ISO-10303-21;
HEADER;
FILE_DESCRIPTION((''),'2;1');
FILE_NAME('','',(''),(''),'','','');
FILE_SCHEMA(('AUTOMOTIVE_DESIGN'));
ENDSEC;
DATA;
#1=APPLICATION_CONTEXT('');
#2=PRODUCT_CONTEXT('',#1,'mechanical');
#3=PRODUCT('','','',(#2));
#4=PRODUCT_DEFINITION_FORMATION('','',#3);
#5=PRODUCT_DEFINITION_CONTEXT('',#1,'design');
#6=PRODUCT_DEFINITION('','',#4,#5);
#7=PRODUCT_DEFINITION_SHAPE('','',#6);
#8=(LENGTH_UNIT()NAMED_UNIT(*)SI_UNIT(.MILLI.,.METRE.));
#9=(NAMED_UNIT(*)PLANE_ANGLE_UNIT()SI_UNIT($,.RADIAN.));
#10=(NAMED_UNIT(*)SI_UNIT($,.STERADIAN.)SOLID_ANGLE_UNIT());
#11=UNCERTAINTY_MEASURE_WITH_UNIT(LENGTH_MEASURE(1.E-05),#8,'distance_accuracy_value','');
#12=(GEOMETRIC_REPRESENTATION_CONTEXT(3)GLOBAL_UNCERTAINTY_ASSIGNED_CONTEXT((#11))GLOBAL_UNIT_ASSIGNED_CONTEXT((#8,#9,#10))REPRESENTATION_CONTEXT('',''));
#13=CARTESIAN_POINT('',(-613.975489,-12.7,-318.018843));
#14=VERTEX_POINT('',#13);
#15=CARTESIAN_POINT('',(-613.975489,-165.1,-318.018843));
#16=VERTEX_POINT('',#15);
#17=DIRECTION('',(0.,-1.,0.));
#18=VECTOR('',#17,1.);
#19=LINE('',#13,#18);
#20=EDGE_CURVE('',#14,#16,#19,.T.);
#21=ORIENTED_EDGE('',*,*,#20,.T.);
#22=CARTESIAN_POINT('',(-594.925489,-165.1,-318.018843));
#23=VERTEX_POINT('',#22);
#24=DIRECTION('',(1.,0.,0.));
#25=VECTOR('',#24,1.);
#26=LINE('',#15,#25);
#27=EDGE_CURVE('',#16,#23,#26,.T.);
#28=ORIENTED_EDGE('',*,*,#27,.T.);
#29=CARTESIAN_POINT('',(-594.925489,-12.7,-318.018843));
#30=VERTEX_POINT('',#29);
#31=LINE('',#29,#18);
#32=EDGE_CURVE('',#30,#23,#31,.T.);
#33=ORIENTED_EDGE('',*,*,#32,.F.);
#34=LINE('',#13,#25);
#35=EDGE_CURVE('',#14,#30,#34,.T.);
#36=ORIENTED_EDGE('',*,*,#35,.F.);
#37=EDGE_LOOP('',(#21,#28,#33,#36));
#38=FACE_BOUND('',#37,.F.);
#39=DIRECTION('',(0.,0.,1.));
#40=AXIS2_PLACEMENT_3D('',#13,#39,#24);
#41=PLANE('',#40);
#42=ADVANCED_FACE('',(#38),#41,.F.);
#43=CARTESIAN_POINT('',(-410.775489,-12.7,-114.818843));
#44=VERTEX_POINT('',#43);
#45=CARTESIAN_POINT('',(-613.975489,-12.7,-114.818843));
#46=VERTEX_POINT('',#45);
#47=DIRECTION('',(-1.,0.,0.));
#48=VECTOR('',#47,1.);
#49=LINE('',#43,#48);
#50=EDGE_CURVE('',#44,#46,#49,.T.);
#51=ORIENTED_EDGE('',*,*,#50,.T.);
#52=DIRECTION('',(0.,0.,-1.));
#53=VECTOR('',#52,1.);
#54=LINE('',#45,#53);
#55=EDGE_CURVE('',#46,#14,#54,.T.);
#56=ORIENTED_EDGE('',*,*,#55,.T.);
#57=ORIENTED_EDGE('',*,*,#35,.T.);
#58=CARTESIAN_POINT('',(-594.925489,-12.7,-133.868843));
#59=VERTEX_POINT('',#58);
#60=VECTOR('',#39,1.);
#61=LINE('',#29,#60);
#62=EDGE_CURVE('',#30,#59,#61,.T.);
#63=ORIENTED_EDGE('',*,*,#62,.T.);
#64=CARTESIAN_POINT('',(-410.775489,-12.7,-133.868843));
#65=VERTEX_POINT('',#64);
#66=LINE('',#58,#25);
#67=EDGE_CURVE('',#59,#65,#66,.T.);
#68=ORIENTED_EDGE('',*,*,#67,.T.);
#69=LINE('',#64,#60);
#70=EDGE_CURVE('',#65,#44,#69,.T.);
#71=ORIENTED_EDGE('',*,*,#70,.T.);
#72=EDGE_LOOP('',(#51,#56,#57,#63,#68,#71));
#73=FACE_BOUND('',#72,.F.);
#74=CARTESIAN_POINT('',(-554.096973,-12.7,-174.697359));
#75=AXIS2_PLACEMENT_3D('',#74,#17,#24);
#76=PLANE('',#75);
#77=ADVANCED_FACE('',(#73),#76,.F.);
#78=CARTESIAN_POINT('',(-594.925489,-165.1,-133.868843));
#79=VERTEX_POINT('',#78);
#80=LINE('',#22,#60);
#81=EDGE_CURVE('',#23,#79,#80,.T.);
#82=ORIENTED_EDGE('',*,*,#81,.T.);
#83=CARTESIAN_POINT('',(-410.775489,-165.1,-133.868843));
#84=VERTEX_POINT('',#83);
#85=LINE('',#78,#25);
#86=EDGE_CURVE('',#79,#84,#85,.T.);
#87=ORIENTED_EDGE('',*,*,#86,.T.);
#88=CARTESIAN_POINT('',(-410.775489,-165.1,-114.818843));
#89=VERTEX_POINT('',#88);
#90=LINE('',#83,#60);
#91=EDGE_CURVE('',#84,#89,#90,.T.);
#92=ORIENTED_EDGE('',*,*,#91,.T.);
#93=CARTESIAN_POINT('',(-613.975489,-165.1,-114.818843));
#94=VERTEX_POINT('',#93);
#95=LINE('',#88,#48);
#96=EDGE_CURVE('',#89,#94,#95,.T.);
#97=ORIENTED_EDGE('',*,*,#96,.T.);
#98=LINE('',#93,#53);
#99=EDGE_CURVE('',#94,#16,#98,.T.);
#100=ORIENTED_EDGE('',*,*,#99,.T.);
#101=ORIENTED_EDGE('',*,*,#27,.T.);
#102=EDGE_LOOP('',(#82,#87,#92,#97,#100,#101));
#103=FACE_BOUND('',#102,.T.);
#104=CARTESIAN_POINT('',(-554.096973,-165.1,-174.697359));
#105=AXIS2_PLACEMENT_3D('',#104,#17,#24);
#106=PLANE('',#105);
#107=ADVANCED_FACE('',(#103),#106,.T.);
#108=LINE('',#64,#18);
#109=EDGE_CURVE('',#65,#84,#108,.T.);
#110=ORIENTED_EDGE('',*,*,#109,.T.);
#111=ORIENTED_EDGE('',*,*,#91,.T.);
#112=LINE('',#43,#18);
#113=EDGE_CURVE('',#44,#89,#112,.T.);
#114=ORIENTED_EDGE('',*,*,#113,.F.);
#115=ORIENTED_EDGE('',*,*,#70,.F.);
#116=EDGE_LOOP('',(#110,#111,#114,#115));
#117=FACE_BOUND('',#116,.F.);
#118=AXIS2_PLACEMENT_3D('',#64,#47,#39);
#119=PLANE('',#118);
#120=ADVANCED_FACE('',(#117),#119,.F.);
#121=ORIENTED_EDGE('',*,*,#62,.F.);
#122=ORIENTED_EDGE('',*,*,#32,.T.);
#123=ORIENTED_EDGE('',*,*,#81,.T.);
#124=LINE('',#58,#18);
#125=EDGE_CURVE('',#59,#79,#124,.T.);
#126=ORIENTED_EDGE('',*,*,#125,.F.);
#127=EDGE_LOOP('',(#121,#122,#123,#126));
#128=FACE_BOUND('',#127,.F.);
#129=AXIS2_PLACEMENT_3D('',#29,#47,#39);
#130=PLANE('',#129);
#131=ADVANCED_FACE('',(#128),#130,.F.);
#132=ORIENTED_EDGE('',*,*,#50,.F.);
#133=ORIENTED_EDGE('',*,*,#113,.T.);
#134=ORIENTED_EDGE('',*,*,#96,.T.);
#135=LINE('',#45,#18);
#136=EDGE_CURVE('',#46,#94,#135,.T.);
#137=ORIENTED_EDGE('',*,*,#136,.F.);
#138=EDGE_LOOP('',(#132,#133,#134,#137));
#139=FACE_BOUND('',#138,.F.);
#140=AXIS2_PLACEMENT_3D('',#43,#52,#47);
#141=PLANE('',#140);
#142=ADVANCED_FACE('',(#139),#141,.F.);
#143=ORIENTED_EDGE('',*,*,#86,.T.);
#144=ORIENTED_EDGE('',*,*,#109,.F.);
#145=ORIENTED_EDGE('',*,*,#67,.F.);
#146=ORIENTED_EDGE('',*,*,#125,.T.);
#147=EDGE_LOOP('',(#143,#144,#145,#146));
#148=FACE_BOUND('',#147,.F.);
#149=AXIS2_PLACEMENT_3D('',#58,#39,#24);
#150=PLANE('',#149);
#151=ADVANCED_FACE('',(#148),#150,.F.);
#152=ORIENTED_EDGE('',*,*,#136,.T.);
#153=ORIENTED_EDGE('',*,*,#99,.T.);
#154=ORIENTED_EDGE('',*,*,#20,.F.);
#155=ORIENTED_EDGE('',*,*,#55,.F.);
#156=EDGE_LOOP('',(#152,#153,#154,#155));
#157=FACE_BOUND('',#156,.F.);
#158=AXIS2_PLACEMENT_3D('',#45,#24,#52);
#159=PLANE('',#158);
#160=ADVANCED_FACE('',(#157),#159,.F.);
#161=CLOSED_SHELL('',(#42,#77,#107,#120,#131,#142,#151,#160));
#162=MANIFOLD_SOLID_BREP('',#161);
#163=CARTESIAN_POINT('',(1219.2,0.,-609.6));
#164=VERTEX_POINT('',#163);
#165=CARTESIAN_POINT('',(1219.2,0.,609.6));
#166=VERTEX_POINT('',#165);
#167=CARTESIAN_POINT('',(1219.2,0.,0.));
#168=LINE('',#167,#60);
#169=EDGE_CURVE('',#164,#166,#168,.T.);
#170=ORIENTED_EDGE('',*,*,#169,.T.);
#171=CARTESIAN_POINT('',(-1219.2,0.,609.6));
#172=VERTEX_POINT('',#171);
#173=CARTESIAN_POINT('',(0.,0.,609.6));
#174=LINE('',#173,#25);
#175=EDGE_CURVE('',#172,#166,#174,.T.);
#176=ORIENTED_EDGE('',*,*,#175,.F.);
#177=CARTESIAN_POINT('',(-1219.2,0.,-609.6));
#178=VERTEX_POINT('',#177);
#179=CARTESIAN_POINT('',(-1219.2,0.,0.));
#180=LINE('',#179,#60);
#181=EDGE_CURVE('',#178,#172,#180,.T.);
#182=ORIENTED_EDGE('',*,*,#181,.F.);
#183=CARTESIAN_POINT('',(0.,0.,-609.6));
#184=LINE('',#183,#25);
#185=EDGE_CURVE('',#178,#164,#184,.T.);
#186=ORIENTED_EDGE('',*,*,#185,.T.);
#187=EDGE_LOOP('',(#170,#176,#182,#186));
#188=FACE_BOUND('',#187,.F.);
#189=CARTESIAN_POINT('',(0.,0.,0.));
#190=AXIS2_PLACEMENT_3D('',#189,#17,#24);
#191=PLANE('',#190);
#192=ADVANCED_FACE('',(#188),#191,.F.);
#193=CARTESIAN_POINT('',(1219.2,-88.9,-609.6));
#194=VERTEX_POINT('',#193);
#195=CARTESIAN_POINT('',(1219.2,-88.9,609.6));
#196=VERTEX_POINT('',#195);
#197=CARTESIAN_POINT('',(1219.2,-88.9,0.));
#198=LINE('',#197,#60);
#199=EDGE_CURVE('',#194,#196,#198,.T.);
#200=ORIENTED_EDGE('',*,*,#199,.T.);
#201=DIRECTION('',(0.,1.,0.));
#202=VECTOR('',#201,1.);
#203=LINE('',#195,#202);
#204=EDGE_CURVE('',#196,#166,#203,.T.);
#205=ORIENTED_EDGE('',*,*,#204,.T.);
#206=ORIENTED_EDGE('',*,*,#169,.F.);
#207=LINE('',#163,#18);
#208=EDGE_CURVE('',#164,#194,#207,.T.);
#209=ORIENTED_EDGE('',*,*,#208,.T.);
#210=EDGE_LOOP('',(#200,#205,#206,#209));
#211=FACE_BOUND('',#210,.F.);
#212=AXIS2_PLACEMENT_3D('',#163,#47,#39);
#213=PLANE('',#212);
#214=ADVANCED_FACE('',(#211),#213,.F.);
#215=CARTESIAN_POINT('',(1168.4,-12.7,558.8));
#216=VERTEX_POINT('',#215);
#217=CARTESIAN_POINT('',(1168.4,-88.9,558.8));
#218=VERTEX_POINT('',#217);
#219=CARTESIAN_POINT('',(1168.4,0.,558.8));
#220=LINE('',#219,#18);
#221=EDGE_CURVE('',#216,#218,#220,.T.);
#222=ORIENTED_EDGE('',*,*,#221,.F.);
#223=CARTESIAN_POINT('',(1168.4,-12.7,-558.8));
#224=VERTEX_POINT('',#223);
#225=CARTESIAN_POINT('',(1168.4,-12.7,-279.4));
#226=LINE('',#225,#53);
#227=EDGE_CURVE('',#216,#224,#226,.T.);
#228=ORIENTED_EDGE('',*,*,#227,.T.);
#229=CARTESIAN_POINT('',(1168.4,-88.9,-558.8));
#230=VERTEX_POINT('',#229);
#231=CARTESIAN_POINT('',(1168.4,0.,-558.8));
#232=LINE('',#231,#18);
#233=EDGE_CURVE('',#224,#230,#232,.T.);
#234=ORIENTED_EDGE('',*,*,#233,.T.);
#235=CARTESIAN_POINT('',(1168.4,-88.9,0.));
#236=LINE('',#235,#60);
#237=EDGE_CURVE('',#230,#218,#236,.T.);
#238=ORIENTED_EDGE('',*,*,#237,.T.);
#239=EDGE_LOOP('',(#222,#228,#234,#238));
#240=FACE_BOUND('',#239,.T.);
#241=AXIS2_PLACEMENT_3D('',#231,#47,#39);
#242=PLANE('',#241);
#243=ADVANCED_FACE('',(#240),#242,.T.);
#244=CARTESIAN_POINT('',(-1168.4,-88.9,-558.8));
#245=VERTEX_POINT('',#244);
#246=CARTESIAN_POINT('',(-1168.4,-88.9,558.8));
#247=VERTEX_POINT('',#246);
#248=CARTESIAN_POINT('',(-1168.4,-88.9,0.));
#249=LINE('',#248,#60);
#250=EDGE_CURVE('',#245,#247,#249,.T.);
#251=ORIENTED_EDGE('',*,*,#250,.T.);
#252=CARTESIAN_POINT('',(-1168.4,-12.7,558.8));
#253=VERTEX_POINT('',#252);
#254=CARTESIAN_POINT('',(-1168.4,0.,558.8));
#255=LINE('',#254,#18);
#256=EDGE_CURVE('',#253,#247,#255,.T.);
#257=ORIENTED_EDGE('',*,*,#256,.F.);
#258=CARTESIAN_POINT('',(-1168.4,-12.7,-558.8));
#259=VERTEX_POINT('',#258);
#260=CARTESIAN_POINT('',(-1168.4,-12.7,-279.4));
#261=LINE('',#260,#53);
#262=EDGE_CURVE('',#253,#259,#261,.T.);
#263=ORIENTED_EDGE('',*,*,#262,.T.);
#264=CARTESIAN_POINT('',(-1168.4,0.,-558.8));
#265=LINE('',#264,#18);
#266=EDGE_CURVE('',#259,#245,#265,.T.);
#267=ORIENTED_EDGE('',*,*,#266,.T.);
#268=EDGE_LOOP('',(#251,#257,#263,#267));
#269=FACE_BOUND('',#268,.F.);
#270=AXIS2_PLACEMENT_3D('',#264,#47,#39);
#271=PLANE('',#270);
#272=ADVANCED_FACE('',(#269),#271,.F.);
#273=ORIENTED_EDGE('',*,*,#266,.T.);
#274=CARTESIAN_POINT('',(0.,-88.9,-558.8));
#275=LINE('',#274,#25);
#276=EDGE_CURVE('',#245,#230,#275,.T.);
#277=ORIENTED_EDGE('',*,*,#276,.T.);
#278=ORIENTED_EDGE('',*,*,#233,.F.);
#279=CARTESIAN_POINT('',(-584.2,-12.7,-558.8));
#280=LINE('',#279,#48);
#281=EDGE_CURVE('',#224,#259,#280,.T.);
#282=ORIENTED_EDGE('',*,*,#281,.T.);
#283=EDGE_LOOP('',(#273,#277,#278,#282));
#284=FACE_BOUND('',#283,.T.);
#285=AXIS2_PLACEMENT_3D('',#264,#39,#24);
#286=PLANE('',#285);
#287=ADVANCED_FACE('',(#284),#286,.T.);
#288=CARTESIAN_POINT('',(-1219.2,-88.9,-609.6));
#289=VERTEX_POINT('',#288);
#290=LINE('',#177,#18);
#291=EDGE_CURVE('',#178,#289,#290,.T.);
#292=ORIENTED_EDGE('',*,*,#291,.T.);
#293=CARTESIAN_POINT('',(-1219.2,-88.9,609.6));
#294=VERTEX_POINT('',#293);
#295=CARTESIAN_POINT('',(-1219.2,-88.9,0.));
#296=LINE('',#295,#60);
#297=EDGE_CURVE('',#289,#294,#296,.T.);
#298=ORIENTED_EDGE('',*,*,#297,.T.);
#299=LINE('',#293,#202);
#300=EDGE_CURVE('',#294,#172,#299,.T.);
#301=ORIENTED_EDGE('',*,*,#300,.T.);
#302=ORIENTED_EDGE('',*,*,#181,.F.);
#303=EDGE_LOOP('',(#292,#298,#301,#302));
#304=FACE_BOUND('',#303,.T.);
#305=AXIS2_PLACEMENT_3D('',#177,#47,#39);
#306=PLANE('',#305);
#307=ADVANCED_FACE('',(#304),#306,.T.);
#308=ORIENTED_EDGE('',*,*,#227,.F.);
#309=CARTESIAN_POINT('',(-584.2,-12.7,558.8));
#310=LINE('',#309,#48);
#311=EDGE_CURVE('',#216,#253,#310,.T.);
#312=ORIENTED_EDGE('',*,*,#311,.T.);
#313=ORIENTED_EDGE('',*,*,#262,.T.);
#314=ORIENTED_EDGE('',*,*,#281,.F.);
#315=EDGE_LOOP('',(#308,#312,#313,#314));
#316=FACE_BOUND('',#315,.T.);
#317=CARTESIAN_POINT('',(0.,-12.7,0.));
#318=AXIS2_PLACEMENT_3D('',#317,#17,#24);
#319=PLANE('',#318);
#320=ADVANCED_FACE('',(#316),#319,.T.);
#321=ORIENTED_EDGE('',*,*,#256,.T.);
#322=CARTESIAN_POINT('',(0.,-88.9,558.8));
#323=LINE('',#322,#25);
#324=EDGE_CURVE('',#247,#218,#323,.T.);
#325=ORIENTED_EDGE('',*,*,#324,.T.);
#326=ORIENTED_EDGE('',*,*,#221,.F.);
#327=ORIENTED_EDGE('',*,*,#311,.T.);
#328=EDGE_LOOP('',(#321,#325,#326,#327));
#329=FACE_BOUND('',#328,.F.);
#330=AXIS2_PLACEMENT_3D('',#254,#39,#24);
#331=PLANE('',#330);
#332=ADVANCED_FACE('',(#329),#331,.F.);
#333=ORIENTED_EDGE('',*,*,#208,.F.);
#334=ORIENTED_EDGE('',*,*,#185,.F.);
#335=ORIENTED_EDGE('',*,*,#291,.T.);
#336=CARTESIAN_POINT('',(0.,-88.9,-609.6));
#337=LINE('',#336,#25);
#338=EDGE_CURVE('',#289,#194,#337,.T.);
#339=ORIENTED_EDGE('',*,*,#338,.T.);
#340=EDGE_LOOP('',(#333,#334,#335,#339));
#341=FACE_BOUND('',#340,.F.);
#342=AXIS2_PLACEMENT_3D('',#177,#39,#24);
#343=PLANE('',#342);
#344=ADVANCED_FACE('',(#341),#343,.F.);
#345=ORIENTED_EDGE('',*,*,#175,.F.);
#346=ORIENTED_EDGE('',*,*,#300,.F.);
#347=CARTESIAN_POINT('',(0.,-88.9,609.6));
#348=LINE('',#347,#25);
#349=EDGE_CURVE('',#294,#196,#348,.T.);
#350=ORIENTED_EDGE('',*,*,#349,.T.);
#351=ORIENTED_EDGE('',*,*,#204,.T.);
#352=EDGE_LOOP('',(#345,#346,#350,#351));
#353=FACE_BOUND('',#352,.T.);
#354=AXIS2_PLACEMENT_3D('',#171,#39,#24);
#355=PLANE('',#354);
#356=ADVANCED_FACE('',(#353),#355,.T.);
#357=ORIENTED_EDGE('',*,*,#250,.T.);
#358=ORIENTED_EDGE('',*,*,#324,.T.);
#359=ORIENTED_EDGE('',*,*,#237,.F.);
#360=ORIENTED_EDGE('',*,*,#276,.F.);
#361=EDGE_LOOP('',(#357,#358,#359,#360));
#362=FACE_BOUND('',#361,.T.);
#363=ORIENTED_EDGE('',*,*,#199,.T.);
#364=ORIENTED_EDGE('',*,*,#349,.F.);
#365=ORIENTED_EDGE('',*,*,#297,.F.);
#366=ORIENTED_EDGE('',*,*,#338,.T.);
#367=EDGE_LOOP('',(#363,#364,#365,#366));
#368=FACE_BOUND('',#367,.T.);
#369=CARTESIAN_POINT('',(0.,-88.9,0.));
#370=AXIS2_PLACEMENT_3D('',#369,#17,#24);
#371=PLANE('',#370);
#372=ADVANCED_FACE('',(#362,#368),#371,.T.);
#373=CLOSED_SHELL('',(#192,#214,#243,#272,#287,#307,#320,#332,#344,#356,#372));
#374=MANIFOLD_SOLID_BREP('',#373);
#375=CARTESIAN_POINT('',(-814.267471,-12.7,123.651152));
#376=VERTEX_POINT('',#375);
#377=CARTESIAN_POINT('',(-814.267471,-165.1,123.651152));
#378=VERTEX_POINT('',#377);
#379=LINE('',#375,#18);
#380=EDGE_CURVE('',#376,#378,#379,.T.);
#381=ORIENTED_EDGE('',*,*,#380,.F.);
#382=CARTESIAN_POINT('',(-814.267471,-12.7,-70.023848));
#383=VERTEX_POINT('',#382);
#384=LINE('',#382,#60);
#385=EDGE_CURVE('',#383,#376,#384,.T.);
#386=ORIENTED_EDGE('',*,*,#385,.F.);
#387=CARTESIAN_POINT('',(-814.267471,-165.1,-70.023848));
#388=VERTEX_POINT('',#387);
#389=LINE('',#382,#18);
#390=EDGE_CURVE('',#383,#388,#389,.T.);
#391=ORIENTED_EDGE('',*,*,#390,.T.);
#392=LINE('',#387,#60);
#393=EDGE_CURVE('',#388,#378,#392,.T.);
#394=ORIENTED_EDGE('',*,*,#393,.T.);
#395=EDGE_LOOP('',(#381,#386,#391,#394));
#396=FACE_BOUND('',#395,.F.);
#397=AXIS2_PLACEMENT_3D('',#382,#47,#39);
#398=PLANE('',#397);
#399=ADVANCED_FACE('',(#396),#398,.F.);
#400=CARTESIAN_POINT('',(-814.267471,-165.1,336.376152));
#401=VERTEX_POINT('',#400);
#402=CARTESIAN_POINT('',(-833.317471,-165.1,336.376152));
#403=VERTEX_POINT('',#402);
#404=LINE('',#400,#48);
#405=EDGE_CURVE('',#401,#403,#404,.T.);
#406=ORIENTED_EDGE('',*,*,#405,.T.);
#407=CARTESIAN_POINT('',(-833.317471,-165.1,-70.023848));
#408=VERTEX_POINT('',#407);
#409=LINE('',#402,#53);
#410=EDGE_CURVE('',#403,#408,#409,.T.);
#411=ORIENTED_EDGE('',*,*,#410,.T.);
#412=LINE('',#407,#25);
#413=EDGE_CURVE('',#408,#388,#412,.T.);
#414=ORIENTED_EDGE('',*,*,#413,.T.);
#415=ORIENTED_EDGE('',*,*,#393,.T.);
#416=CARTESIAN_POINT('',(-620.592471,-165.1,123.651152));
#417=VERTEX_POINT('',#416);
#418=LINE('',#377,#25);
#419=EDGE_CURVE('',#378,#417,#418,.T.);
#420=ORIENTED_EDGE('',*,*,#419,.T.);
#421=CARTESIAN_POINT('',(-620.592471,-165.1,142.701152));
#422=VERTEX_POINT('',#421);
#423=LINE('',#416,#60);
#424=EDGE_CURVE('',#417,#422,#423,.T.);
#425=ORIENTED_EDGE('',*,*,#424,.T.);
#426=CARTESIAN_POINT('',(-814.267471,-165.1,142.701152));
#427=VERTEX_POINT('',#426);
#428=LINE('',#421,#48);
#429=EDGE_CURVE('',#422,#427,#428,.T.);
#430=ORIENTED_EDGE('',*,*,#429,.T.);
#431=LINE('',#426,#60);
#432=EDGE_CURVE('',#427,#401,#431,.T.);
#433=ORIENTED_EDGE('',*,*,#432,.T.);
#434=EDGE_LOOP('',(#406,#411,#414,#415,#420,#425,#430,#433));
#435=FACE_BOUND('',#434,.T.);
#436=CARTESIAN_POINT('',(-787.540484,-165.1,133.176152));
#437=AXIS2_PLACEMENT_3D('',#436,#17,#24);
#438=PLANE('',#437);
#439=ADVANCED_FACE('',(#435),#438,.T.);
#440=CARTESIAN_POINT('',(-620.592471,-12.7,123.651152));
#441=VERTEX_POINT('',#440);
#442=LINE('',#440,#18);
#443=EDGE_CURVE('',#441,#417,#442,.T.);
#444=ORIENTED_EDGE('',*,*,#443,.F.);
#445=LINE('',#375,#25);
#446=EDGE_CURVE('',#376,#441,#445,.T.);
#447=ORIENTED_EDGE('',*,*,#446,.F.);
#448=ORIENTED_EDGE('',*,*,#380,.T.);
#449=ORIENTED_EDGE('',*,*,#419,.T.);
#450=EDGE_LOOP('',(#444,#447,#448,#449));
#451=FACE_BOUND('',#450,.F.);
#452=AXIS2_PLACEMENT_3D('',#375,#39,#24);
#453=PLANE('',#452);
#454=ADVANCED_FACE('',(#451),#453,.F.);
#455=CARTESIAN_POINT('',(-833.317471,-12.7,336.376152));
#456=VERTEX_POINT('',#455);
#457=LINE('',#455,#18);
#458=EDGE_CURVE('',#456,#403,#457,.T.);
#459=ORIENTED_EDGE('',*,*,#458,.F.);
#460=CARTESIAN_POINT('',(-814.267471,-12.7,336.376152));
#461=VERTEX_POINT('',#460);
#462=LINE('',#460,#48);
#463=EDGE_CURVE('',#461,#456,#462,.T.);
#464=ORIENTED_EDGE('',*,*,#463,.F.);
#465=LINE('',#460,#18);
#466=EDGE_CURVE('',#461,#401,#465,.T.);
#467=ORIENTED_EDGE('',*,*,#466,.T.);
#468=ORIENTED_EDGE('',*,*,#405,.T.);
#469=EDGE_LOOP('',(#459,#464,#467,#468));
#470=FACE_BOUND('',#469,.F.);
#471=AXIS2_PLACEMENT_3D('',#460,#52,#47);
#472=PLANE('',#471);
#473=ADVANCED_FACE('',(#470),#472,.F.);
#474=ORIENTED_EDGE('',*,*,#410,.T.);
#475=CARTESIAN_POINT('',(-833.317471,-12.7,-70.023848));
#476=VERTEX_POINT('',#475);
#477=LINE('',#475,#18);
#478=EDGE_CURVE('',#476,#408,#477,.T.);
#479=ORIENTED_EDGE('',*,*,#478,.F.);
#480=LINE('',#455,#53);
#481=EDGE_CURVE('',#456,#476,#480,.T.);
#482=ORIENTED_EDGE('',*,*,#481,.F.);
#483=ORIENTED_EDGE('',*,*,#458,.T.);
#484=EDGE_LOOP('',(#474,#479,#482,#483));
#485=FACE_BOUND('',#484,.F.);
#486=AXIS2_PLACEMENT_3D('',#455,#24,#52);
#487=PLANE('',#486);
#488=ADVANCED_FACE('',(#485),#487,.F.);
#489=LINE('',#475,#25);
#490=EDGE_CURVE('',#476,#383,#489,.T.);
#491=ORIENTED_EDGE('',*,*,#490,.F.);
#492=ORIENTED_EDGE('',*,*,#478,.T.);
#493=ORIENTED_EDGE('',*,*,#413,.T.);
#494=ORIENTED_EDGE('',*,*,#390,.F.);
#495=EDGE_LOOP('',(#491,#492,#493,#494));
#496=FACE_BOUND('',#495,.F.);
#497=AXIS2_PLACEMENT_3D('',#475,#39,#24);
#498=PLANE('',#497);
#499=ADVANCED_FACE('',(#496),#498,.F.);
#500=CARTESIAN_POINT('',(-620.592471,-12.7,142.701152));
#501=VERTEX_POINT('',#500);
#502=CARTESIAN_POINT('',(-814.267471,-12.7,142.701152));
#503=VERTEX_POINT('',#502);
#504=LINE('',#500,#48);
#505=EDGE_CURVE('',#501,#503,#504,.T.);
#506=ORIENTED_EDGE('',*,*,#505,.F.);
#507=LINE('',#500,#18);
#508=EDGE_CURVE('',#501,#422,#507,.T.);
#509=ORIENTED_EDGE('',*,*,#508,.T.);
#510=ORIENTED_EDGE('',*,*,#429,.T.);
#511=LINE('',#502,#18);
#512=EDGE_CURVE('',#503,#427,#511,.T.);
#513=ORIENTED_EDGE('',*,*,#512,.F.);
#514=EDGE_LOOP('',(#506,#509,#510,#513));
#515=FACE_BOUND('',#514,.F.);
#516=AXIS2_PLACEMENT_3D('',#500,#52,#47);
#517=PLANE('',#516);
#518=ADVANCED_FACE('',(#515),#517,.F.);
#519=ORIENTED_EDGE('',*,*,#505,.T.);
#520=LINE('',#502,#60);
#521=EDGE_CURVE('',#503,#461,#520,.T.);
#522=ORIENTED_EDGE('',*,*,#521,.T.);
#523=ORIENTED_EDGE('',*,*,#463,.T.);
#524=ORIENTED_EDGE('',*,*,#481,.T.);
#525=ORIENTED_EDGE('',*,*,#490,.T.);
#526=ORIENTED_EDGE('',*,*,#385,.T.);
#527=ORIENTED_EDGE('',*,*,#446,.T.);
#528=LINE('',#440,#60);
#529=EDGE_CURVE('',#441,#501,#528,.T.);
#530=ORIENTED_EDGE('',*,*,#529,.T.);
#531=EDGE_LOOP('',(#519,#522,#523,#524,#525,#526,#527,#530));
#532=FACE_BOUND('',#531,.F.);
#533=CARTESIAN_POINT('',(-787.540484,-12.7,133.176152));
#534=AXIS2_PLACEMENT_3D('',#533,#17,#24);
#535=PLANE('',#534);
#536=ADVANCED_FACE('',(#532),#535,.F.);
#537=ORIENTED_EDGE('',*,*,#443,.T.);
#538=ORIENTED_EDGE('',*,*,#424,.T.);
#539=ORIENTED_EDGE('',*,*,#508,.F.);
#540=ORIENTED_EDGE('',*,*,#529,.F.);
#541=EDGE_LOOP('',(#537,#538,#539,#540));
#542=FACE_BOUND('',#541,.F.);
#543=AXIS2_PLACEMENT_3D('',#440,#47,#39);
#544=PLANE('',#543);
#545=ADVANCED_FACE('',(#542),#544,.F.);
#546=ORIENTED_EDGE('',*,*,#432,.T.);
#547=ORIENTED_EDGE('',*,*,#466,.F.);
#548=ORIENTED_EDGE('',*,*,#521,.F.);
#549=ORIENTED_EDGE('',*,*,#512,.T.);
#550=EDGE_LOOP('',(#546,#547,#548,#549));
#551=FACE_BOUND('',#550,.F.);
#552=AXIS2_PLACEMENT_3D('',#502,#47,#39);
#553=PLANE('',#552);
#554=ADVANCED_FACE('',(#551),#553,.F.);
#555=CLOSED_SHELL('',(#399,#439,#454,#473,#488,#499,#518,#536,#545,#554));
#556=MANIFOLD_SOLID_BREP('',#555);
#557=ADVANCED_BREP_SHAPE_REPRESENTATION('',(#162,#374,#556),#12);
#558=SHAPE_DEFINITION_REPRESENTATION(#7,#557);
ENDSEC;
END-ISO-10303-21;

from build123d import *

# Parameters (mm, degrees)
F0_W     = 2438.4
F0_H     = 1219.2
F0_W_2   = 2336.8
F0_H_2   = 1117.6
F1_DEPTH = 12.7
F2_DEPTH = 88.9
F4_DEPTH = 152.4
F6_DEPTH = 152.4


with BuildPart() as f1:
    # F0 (on Front) → F1 (new body)
    with BuildSketch(Plane.XZ):
        Rectangle(F0_W, F0_H)
        Rectangle(F0_W_2, F0_H_2, mode=Mode.SUBTRACT)
        Rectangle(F0_W_2, F0_H_2)
    extrude(amount=F1_DEPTH)

    # F0 (on Front) → F2 (join)
    with BuildSketch(Plane.XZ):
        Rectangle(F0_W, F0_H)
        Rectangle(F0_W_2, F0_H_2, mode=Mode.SUBTRACT)
    extrude(amount=F2_DEPTH)


with BuildPart() as f4:
    # F3 (on face) → F4 (new body)
    with BuildSketch(Plane.XZ.offset(12.7)):
        Polygon((-814.2674711327, 336.3761521408), (-833.3174711327, 336.3761521408), (-833.3174711327, 142.7011521408), (-833.3174711327, 123.6511521408), (-833.3174711327, -70.0238478592), (-814.2674711327, -70.0238478592), (-814.2674711327, 123.6511521408), (-620.5924711327, 123.6511521408), (-620.5924711327, 142.7011521408), (-814.2674711327, 142.7011521408), align=None)
    extrude(amount=F4_DEPTH)


with BuildPart() as f6:
    # F5 (on face) → F6 (new body)
    with BuildSketch(Plane.XZ.offset(12.7)):
        Polygon((-594.9254888773, -318.0188434053), (-594.9254888773, -133.8688434053), (-410.7754888773, -133.8688434053), (-410.7754888773, -114.8188434053), (-594.9254888773, -114.8188434053), (-613.9754888773, -114.8188434053), (-613.9754888773, -133.8688434053), (-613.9754888773, -318.0188434053), align=None)
    extrude(amount=F6_DEPTH)


solid = Compound([f1.part, f4.part, f6.part])
